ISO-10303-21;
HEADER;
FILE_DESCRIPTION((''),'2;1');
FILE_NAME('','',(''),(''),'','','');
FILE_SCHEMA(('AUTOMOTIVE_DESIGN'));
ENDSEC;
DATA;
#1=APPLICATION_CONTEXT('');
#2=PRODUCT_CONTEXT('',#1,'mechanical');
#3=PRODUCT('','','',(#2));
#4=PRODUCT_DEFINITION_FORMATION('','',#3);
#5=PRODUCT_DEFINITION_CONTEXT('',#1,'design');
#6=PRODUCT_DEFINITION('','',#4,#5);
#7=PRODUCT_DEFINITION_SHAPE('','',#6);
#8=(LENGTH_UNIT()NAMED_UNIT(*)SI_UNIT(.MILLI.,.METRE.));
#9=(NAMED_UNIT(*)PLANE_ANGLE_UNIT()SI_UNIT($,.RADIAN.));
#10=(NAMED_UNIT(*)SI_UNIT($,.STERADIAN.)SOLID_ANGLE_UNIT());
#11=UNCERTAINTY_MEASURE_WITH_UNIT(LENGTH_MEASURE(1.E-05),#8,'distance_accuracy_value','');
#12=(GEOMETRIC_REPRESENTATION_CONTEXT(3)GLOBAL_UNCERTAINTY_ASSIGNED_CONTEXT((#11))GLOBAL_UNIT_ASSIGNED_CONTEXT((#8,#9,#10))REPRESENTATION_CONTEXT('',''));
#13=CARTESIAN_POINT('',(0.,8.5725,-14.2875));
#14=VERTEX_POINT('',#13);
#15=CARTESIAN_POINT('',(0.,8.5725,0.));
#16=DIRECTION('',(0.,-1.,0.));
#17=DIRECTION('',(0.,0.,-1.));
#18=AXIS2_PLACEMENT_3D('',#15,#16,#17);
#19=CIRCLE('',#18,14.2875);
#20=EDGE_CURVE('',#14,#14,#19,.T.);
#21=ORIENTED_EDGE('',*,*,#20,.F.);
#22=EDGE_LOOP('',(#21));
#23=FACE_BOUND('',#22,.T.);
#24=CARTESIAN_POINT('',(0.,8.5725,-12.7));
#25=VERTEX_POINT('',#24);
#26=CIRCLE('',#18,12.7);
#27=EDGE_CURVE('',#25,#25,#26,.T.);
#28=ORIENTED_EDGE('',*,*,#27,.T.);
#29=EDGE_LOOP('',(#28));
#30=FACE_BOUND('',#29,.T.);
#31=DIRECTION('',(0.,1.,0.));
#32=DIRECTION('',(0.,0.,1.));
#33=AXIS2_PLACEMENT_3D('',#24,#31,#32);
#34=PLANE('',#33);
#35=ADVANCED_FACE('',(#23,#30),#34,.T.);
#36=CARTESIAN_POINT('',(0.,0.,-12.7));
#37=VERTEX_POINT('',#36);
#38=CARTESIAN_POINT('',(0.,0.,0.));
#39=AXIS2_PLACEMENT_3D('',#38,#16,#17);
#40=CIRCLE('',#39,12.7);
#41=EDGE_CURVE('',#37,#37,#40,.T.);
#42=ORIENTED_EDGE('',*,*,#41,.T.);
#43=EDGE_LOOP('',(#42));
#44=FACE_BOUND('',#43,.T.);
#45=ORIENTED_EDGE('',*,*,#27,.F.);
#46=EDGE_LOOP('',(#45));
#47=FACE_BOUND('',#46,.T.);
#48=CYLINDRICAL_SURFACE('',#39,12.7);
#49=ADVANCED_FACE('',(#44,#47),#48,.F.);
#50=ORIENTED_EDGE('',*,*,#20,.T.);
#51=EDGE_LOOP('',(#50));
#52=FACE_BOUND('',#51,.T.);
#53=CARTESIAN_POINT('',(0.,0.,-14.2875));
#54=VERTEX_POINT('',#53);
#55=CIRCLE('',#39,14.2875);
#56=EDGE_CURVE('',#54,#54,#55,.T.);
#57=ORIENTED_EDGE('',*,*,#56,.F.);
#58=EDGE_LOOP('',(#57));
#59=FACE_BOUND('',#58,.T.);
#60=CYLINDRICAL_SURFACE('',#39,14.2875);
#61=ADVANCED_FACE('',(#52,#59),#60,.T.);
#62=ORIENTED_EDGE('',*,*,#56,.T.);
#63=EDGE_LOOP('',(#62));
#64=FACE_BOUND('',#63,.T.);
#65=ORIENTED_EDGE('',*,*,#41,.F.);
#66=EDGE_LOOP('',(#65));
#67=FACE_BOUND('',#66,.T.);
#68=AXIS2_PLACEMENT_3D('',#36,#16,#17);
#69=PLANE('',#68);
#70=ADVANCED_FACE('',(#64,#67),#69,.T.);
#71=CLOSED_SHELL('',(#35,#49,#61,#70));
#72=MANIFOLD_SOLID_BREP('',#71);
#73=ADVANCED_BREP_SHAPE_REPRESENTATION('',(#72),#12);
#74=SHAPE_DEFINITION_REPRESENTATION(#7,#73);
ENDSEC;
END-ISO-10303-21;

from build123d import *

# Parameters (mm, degrees)
SKETCH1_W = 1.5875
SKETCH1_H = 8.5725


with BuildPart() as part:
    # Sketch1 → Revolve1 (revolve)
    with BuildSketch(Plane(origin=(0, 0, 0), x_dir=(0, 0, -1), z_dir=(1, 0, 0))):
        with Locations((13.49375, 4.28625)):
            Rectangle(SKETCH1_W, SKETCH1_H)
    revolve(axis=Axis((0, 0, 0), (0, 1, 0)))


solid = part.part
